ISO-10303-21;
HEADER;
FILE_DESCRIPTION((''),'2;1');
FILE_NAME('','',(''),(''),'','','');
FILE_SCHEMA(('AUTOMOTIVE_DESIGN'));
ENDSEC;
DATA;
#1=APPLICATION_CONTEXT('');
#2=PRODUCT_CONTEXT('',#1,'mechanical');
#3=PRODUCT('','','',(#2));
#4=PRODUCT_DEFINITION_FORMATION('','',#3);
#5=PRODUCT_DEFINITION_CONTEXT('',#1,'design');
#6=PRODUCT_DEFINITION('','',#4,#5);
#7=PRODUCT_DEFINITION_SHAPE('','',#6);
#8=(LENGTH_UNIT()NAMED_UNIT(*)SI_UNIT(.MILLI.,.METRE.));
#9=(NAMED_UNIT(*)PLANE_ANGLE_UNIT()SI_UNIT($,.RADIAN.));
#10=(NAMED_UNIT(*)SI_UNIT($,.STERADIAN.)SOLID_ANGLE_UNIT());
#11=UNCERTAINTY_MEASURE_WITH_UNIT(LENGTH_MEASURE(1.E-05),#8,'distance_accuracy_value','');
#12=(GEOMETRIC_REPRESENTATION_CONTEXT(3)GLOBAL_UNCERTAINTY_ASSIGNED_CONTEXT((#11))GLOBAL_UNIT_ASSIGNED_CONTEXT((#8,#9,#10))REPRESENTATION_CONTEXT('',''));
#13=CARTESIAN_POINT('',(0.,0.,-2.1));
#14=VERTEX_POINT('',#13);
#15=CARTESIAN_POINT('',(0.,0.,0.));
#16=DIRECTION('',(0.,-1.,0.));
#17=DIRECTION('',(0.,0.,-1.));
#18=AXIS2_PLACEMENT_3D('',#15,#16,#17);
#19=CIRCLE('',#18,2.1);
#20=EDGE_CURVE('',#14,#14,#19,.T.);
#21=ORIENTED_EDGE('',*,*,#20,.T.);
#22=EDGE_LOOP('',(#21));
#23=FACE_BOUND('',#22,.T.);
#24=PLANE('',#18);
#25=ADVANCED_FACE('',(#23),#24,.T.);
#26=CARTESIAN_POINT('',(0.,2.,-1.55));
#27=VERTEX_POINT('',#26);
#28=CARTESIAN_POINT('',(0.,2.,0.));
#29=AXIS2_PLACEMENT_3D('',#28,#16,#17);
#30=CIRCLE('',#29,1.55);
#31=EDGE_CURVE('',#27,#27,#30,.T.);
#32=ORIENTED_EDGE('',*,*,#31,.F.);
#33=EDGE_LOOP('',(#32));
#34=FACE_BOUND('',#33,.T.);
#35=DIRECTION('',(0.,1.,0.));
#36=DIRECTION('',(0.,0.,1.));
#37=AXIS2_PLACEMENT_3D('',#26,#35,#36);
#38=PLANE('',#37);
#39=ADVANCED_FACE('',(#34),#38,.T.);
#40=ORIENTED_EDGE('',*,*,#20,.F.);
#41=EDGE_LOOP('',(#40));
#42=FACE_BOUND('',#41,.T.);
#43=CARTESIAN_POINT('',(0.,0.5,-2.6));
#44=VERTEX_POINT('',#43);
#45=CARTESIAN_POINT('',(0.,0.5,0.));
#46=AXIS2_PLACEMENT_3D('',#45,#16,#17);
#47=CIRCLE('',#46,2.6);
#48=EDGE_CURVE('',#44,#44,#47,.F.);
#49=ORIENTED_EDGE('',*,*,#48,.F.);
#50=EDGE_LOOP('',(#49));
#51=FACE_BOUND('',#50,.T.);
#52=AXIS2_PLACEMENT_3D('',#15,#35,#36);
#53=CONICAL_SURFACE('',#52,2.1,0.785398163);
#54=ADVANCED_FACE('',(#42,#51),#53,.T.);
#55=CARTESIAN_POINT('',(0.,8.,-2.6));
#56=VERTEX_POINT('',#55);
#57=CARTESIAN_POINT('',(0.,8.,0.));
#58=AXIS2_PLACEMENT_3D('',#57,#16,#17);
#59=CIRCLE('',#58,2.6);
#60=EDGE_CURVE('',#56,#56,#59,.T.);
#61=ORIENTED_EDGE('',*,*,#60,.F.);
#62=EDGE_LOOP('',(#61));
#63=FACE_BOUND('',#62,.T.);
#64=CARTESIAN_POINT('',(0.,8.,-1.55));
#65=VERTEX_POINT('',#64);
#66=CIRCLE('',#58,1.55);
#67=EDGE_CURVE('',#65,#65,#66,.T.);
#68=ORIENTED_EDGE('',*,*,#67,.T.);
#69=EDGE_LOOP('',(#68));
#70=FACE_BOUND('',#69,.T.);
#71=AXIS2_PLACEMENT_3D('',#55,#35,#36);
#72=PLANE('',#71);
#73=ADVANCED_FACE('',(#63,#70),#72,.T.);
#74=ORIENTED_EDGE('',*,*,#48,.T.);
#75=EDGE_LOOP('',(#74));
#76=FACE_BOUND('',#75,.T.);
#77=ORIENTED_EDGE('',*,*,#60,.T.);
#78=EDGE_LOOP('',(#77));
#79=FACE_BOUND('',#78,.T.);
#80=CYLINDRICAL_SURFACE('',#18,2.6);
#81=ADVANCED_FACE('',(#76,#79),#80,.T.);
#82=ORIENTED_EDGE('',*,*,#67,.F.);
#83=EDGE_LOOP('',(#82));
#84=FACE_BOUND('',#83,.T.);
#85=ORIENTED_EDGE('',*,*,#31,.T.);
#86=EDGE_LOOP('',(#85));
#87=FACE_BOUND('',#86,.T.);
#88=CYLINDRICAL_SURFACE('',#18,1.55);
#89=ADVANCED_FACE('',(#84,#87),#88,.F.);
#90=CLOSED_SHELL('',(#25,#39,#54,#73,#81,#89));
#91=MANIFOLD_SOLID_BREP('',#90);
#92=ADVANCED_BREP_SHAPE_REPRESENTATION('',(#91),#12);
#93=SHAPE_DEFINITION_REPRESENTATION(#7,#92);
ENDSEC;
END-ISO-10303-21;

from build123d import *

# Parameters (mm, degrees)
CHAMFER1_SIZE = 0.5


with BuildPart() as part:
    # Sketch2 → Revolve1 (revolve)
    with BuildSketch(Plane(origin=(0, 0, 0), x_dir=(0, 0, -1), z_dir=(1, 0, 0))):
        Polygon((0, 0), (2.6, 0), (2.6, 8), (1.55, 8), (1.55, 2), (0, 2), align=None)
    revolve(axis=Axis((0, 0, 0), (0, 1, 0)))

    # Chamfer1
    chamfer1_edges = [part.edges().sort_by_distance(p)[0] for p in [
        (0, 0, 2.6),
    ]]
    chamfer(chamfer1_edges, length=CHAMFER1_SIZE)


solid = part.part
